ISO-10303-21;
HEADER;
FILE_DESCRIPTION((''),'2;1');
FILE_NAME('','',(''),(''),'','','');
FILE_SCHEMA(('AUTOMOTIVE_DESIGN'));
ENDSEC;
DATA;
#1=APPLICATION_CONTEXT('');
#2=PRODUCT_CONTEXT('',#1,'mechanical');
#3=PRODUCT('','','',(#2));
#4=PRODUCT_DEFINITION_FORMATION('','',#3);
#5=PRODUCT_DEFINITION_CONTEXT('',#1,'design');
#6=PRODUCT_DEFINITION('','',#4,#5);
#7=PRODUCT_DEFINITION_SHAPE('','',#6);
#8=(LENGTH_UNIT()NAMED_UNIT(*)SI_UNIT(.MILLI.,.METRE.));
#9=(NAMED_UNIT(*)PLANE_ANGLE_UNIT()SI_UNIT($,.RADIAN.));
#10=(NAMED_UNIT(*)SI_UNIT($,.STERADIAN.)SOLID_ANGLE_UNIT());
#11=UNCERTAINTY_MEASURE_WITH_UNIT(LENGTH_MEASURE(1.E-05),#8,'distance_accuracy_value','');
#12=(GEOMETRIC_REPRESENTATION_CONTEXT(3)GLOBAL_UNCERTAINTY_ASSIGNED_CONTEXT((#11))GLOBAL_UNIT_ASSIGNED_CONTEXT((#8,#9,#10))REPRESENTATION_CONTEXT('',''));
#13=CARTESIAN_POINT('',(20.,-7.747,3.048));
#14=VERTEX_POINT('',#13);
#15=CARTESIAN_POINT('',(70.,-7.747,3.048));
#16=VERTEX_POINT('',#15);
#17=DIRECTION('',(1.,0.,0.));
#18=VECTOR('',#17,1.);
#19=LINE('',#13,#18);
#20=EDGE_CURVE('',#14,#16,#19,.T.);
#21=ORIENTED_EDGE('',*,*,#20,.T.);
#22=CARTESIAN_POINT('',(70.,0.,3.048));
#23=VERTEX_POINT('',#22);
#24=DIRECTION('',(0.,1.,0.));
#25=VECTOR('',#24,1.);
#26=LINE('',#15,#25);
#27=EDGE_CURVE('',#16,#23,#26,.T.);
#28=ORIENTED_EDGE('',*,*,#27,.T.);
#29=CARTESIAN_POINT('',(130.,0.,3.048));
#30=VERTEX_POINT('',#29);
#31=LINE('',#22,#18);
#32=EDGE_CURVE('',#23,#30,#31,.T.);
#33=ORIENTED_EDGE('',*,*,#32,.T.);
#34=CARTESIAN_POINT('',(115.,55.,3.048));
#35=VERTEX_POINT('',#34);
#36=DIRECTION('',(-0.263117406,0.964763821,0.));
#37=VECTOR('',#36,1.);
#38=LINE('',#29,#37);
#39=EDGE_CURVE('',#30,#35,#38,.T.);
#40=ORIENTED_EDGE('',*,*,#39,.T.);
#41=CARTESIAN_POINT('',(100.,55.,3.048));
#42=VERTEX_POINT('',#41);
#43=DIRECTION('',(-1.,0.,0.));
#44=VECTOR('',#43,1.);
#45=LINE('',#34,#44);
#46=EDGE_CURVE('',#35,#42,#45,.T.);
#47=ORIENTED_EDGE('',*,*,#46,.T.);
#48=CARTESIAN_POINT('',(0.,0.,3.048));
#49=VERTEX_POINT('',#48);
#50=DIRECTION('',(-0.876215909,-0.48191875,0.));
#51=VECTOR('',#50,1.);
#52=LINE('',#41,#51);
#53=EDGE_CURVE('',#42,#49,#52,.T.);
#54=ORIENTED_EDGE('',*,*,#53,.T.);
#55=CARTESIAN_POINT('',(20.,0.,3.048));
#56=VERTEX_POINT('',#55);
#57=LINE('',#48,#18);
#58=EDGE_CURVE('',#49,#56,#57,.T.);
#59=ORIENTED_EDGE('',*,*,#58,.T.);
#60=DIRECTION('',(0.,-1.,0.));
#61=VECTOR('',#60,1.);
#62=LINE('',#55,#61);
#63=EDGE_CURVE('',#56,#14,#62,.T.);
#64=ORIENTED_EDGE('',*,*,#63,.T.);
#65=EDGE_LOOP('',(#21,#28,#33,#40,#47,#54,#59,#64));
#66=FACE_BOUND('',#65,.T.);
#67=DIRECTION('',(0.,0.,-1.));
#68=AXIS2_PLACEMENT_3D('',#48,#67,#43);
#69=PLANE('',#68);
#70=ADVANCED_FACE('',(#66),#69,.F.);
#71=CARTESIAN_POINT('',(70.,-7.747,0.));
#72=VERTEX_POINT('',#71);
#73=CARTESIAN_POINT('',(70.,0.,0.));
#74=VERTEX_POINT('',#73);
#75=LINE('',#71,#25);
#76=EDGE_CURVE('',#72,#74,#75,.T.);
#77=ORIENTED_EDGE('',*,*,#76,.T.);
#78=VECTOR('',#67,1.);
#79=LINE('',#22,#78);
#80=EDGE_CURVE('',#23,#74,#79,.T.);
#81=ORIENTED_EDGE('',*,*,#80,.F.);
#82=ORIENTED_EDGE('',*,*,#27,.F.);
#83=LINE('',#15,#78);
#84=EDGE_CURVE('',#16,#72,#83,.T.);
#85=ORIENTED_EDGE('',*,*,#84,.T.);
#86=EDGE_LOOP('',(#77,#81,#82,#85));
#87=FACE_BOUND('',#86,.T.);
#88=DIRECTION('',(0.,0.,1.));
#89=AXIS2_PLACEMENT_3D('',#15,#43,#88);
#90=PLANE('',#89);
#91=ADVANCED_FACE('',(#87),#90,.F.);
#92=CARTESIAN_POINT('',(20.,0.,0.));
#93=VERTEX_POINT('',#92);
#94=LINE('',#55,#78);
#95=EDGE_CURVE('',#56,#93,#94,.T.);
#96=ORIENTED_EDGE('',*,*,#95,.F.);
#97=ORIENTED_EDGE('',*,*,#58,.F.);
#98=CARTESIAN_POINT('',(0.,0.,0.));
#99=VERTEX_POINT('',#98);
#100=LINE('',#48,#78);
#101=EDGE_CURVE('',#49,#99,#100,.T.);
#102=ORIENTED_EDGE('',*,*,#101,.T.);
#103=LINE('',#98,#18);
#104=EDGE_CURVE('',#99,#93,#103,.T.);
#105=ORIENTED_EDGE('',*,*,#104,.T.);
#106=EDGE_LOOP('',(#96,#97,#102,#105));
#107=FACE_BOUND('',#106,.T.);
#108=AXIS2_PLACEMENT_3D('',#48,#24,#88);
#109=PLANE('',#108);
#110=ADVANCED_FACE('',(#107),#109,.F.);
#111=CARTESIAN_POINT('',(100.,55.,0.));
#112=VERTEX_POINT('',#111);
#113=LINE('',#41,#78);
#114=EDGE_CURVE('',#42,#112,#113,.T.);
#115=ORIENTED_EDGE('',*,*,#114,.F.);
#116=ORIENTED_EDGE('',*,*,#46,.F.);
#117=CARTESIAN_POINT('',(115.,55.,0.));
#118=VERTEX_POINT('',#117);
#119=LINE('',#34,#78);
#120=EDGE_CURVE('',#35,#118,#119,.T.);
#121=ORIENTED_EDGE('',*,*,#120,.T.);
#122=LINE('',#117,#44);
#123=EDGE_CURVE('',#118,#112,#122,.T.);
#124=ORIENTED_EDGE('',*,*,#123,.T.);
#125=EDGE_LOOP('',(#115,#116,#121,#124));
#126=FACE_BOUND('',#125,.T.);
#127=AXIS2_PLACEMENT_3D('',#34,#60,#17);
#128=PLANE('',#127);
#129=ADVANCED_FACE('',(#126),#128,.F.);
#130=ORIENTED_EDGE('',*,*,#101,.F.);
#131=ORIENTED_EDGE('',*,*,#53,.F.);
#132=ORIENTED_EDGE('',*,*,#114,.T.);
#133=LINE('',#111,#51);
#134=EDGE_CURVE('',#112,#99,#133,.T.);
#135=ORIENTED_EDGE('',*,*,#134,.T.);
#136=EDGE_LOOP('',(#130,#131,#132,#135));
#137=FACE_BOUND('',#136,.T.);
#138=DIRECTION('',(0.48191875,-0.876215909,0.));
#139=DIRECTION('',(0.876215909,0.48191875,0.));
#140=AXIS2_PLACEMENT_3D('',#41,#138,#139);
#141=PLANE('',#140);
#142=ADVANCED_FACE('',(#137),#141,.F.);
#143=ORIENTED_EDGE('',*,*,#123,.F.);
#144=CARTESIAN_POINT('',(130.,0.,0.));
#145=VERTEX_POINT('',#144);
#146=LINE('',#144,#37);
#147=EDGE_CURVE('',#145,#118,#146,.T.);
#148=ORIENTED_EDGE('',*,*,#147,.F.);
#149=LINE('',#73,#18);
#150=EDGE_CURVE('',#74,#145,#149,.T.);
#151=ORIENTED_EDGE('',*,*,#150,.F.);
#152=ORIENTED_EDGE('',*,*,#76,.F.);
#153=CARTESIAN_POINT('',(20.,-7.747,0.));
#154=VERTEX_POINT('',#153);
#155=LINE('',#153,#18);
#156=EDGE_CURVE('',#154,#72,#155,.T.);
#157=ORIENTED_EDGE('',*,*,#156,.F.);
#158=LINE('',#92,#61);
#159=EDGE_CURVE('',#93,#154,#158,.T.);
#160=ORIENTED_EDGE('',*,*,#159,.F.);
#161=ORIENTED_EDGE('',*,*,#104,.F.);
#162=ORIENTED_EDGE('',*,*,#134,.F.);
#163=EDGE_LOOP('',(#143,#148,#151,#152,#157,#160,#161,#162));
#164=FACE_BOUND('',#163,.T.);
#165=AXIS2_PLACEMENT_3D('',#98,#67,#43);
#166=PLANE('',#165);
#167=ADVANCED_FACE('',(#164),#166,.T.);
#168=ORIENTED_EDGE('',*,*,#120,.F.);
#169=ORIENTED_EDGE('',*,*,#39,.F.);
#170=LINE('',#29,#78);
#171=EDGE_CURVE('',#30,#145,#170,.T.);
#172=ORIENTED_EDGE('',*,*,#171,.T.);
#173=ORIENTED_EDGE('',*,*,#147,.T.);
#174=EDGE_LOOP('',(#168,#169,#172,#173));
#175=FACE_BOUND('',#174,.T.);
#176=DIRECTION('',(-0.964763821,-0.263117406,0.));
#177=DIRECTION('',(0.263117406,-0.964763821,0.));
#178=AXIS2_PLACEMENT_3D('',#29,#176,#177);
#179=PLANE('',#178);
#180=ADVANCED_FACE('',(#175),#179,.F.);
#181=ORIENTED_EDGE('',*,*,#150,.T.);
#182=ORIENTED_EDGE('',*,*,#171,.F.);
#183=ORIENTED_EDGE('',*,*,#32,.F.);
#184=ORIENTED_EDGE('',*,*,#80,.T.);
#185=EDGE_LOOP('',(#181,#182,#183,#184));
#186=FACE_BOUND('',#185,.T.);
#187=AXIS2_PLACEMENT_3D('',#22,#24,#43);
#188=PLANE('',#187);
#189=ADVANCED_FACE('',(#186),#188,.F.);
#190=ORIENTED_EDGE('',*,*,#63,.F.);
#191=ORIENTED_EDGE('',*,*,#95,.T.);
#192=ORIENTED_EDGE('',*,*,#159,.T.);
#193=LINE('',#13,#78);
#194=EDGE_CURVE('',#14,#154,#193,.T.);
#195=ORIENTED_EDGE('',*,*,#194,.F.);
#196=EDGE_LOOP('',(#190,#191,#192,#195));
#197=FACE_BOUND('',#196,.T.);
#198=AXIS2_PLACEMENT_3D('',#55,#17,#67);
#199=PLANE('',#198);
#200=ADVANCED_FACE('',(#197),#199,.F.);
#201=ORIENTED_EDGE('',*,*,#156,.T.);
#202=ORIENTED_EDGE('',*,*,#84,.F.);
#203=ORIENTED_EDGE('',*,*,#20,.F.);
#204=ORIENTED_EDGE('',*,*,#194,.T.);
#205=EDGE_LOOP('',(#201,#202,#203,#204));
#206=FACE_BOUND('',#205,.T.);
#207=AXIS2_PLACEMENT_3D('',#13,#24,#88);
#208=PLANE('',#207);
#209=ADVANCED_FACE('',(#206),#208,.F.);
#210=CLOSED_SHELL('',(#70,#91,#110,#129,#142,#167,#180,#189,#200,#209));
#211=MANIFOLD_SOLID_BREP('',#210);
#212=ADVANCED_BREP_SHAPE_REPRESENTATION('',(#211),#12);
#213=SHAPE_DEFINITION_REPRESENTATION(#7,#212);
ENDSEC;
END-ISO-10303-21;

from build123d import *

# Parameters (mm, degrees)
BOSS_EXTRUDE1_DEPTH = 3.048


with BuildPart() as part:
    # Sketch1 → Boss-Extrude1 (new body)
    with BuildSketch(Plane.XY):
        Polygon((0, 0), (20, 0), (20, -7.747), (70, -7.747), (70, 0), (130, 0), (115, 55), (100, 55), align=None)
    extrude(amount=BOSS_EXTRUDE1_DEPTH)


solid = part.part
